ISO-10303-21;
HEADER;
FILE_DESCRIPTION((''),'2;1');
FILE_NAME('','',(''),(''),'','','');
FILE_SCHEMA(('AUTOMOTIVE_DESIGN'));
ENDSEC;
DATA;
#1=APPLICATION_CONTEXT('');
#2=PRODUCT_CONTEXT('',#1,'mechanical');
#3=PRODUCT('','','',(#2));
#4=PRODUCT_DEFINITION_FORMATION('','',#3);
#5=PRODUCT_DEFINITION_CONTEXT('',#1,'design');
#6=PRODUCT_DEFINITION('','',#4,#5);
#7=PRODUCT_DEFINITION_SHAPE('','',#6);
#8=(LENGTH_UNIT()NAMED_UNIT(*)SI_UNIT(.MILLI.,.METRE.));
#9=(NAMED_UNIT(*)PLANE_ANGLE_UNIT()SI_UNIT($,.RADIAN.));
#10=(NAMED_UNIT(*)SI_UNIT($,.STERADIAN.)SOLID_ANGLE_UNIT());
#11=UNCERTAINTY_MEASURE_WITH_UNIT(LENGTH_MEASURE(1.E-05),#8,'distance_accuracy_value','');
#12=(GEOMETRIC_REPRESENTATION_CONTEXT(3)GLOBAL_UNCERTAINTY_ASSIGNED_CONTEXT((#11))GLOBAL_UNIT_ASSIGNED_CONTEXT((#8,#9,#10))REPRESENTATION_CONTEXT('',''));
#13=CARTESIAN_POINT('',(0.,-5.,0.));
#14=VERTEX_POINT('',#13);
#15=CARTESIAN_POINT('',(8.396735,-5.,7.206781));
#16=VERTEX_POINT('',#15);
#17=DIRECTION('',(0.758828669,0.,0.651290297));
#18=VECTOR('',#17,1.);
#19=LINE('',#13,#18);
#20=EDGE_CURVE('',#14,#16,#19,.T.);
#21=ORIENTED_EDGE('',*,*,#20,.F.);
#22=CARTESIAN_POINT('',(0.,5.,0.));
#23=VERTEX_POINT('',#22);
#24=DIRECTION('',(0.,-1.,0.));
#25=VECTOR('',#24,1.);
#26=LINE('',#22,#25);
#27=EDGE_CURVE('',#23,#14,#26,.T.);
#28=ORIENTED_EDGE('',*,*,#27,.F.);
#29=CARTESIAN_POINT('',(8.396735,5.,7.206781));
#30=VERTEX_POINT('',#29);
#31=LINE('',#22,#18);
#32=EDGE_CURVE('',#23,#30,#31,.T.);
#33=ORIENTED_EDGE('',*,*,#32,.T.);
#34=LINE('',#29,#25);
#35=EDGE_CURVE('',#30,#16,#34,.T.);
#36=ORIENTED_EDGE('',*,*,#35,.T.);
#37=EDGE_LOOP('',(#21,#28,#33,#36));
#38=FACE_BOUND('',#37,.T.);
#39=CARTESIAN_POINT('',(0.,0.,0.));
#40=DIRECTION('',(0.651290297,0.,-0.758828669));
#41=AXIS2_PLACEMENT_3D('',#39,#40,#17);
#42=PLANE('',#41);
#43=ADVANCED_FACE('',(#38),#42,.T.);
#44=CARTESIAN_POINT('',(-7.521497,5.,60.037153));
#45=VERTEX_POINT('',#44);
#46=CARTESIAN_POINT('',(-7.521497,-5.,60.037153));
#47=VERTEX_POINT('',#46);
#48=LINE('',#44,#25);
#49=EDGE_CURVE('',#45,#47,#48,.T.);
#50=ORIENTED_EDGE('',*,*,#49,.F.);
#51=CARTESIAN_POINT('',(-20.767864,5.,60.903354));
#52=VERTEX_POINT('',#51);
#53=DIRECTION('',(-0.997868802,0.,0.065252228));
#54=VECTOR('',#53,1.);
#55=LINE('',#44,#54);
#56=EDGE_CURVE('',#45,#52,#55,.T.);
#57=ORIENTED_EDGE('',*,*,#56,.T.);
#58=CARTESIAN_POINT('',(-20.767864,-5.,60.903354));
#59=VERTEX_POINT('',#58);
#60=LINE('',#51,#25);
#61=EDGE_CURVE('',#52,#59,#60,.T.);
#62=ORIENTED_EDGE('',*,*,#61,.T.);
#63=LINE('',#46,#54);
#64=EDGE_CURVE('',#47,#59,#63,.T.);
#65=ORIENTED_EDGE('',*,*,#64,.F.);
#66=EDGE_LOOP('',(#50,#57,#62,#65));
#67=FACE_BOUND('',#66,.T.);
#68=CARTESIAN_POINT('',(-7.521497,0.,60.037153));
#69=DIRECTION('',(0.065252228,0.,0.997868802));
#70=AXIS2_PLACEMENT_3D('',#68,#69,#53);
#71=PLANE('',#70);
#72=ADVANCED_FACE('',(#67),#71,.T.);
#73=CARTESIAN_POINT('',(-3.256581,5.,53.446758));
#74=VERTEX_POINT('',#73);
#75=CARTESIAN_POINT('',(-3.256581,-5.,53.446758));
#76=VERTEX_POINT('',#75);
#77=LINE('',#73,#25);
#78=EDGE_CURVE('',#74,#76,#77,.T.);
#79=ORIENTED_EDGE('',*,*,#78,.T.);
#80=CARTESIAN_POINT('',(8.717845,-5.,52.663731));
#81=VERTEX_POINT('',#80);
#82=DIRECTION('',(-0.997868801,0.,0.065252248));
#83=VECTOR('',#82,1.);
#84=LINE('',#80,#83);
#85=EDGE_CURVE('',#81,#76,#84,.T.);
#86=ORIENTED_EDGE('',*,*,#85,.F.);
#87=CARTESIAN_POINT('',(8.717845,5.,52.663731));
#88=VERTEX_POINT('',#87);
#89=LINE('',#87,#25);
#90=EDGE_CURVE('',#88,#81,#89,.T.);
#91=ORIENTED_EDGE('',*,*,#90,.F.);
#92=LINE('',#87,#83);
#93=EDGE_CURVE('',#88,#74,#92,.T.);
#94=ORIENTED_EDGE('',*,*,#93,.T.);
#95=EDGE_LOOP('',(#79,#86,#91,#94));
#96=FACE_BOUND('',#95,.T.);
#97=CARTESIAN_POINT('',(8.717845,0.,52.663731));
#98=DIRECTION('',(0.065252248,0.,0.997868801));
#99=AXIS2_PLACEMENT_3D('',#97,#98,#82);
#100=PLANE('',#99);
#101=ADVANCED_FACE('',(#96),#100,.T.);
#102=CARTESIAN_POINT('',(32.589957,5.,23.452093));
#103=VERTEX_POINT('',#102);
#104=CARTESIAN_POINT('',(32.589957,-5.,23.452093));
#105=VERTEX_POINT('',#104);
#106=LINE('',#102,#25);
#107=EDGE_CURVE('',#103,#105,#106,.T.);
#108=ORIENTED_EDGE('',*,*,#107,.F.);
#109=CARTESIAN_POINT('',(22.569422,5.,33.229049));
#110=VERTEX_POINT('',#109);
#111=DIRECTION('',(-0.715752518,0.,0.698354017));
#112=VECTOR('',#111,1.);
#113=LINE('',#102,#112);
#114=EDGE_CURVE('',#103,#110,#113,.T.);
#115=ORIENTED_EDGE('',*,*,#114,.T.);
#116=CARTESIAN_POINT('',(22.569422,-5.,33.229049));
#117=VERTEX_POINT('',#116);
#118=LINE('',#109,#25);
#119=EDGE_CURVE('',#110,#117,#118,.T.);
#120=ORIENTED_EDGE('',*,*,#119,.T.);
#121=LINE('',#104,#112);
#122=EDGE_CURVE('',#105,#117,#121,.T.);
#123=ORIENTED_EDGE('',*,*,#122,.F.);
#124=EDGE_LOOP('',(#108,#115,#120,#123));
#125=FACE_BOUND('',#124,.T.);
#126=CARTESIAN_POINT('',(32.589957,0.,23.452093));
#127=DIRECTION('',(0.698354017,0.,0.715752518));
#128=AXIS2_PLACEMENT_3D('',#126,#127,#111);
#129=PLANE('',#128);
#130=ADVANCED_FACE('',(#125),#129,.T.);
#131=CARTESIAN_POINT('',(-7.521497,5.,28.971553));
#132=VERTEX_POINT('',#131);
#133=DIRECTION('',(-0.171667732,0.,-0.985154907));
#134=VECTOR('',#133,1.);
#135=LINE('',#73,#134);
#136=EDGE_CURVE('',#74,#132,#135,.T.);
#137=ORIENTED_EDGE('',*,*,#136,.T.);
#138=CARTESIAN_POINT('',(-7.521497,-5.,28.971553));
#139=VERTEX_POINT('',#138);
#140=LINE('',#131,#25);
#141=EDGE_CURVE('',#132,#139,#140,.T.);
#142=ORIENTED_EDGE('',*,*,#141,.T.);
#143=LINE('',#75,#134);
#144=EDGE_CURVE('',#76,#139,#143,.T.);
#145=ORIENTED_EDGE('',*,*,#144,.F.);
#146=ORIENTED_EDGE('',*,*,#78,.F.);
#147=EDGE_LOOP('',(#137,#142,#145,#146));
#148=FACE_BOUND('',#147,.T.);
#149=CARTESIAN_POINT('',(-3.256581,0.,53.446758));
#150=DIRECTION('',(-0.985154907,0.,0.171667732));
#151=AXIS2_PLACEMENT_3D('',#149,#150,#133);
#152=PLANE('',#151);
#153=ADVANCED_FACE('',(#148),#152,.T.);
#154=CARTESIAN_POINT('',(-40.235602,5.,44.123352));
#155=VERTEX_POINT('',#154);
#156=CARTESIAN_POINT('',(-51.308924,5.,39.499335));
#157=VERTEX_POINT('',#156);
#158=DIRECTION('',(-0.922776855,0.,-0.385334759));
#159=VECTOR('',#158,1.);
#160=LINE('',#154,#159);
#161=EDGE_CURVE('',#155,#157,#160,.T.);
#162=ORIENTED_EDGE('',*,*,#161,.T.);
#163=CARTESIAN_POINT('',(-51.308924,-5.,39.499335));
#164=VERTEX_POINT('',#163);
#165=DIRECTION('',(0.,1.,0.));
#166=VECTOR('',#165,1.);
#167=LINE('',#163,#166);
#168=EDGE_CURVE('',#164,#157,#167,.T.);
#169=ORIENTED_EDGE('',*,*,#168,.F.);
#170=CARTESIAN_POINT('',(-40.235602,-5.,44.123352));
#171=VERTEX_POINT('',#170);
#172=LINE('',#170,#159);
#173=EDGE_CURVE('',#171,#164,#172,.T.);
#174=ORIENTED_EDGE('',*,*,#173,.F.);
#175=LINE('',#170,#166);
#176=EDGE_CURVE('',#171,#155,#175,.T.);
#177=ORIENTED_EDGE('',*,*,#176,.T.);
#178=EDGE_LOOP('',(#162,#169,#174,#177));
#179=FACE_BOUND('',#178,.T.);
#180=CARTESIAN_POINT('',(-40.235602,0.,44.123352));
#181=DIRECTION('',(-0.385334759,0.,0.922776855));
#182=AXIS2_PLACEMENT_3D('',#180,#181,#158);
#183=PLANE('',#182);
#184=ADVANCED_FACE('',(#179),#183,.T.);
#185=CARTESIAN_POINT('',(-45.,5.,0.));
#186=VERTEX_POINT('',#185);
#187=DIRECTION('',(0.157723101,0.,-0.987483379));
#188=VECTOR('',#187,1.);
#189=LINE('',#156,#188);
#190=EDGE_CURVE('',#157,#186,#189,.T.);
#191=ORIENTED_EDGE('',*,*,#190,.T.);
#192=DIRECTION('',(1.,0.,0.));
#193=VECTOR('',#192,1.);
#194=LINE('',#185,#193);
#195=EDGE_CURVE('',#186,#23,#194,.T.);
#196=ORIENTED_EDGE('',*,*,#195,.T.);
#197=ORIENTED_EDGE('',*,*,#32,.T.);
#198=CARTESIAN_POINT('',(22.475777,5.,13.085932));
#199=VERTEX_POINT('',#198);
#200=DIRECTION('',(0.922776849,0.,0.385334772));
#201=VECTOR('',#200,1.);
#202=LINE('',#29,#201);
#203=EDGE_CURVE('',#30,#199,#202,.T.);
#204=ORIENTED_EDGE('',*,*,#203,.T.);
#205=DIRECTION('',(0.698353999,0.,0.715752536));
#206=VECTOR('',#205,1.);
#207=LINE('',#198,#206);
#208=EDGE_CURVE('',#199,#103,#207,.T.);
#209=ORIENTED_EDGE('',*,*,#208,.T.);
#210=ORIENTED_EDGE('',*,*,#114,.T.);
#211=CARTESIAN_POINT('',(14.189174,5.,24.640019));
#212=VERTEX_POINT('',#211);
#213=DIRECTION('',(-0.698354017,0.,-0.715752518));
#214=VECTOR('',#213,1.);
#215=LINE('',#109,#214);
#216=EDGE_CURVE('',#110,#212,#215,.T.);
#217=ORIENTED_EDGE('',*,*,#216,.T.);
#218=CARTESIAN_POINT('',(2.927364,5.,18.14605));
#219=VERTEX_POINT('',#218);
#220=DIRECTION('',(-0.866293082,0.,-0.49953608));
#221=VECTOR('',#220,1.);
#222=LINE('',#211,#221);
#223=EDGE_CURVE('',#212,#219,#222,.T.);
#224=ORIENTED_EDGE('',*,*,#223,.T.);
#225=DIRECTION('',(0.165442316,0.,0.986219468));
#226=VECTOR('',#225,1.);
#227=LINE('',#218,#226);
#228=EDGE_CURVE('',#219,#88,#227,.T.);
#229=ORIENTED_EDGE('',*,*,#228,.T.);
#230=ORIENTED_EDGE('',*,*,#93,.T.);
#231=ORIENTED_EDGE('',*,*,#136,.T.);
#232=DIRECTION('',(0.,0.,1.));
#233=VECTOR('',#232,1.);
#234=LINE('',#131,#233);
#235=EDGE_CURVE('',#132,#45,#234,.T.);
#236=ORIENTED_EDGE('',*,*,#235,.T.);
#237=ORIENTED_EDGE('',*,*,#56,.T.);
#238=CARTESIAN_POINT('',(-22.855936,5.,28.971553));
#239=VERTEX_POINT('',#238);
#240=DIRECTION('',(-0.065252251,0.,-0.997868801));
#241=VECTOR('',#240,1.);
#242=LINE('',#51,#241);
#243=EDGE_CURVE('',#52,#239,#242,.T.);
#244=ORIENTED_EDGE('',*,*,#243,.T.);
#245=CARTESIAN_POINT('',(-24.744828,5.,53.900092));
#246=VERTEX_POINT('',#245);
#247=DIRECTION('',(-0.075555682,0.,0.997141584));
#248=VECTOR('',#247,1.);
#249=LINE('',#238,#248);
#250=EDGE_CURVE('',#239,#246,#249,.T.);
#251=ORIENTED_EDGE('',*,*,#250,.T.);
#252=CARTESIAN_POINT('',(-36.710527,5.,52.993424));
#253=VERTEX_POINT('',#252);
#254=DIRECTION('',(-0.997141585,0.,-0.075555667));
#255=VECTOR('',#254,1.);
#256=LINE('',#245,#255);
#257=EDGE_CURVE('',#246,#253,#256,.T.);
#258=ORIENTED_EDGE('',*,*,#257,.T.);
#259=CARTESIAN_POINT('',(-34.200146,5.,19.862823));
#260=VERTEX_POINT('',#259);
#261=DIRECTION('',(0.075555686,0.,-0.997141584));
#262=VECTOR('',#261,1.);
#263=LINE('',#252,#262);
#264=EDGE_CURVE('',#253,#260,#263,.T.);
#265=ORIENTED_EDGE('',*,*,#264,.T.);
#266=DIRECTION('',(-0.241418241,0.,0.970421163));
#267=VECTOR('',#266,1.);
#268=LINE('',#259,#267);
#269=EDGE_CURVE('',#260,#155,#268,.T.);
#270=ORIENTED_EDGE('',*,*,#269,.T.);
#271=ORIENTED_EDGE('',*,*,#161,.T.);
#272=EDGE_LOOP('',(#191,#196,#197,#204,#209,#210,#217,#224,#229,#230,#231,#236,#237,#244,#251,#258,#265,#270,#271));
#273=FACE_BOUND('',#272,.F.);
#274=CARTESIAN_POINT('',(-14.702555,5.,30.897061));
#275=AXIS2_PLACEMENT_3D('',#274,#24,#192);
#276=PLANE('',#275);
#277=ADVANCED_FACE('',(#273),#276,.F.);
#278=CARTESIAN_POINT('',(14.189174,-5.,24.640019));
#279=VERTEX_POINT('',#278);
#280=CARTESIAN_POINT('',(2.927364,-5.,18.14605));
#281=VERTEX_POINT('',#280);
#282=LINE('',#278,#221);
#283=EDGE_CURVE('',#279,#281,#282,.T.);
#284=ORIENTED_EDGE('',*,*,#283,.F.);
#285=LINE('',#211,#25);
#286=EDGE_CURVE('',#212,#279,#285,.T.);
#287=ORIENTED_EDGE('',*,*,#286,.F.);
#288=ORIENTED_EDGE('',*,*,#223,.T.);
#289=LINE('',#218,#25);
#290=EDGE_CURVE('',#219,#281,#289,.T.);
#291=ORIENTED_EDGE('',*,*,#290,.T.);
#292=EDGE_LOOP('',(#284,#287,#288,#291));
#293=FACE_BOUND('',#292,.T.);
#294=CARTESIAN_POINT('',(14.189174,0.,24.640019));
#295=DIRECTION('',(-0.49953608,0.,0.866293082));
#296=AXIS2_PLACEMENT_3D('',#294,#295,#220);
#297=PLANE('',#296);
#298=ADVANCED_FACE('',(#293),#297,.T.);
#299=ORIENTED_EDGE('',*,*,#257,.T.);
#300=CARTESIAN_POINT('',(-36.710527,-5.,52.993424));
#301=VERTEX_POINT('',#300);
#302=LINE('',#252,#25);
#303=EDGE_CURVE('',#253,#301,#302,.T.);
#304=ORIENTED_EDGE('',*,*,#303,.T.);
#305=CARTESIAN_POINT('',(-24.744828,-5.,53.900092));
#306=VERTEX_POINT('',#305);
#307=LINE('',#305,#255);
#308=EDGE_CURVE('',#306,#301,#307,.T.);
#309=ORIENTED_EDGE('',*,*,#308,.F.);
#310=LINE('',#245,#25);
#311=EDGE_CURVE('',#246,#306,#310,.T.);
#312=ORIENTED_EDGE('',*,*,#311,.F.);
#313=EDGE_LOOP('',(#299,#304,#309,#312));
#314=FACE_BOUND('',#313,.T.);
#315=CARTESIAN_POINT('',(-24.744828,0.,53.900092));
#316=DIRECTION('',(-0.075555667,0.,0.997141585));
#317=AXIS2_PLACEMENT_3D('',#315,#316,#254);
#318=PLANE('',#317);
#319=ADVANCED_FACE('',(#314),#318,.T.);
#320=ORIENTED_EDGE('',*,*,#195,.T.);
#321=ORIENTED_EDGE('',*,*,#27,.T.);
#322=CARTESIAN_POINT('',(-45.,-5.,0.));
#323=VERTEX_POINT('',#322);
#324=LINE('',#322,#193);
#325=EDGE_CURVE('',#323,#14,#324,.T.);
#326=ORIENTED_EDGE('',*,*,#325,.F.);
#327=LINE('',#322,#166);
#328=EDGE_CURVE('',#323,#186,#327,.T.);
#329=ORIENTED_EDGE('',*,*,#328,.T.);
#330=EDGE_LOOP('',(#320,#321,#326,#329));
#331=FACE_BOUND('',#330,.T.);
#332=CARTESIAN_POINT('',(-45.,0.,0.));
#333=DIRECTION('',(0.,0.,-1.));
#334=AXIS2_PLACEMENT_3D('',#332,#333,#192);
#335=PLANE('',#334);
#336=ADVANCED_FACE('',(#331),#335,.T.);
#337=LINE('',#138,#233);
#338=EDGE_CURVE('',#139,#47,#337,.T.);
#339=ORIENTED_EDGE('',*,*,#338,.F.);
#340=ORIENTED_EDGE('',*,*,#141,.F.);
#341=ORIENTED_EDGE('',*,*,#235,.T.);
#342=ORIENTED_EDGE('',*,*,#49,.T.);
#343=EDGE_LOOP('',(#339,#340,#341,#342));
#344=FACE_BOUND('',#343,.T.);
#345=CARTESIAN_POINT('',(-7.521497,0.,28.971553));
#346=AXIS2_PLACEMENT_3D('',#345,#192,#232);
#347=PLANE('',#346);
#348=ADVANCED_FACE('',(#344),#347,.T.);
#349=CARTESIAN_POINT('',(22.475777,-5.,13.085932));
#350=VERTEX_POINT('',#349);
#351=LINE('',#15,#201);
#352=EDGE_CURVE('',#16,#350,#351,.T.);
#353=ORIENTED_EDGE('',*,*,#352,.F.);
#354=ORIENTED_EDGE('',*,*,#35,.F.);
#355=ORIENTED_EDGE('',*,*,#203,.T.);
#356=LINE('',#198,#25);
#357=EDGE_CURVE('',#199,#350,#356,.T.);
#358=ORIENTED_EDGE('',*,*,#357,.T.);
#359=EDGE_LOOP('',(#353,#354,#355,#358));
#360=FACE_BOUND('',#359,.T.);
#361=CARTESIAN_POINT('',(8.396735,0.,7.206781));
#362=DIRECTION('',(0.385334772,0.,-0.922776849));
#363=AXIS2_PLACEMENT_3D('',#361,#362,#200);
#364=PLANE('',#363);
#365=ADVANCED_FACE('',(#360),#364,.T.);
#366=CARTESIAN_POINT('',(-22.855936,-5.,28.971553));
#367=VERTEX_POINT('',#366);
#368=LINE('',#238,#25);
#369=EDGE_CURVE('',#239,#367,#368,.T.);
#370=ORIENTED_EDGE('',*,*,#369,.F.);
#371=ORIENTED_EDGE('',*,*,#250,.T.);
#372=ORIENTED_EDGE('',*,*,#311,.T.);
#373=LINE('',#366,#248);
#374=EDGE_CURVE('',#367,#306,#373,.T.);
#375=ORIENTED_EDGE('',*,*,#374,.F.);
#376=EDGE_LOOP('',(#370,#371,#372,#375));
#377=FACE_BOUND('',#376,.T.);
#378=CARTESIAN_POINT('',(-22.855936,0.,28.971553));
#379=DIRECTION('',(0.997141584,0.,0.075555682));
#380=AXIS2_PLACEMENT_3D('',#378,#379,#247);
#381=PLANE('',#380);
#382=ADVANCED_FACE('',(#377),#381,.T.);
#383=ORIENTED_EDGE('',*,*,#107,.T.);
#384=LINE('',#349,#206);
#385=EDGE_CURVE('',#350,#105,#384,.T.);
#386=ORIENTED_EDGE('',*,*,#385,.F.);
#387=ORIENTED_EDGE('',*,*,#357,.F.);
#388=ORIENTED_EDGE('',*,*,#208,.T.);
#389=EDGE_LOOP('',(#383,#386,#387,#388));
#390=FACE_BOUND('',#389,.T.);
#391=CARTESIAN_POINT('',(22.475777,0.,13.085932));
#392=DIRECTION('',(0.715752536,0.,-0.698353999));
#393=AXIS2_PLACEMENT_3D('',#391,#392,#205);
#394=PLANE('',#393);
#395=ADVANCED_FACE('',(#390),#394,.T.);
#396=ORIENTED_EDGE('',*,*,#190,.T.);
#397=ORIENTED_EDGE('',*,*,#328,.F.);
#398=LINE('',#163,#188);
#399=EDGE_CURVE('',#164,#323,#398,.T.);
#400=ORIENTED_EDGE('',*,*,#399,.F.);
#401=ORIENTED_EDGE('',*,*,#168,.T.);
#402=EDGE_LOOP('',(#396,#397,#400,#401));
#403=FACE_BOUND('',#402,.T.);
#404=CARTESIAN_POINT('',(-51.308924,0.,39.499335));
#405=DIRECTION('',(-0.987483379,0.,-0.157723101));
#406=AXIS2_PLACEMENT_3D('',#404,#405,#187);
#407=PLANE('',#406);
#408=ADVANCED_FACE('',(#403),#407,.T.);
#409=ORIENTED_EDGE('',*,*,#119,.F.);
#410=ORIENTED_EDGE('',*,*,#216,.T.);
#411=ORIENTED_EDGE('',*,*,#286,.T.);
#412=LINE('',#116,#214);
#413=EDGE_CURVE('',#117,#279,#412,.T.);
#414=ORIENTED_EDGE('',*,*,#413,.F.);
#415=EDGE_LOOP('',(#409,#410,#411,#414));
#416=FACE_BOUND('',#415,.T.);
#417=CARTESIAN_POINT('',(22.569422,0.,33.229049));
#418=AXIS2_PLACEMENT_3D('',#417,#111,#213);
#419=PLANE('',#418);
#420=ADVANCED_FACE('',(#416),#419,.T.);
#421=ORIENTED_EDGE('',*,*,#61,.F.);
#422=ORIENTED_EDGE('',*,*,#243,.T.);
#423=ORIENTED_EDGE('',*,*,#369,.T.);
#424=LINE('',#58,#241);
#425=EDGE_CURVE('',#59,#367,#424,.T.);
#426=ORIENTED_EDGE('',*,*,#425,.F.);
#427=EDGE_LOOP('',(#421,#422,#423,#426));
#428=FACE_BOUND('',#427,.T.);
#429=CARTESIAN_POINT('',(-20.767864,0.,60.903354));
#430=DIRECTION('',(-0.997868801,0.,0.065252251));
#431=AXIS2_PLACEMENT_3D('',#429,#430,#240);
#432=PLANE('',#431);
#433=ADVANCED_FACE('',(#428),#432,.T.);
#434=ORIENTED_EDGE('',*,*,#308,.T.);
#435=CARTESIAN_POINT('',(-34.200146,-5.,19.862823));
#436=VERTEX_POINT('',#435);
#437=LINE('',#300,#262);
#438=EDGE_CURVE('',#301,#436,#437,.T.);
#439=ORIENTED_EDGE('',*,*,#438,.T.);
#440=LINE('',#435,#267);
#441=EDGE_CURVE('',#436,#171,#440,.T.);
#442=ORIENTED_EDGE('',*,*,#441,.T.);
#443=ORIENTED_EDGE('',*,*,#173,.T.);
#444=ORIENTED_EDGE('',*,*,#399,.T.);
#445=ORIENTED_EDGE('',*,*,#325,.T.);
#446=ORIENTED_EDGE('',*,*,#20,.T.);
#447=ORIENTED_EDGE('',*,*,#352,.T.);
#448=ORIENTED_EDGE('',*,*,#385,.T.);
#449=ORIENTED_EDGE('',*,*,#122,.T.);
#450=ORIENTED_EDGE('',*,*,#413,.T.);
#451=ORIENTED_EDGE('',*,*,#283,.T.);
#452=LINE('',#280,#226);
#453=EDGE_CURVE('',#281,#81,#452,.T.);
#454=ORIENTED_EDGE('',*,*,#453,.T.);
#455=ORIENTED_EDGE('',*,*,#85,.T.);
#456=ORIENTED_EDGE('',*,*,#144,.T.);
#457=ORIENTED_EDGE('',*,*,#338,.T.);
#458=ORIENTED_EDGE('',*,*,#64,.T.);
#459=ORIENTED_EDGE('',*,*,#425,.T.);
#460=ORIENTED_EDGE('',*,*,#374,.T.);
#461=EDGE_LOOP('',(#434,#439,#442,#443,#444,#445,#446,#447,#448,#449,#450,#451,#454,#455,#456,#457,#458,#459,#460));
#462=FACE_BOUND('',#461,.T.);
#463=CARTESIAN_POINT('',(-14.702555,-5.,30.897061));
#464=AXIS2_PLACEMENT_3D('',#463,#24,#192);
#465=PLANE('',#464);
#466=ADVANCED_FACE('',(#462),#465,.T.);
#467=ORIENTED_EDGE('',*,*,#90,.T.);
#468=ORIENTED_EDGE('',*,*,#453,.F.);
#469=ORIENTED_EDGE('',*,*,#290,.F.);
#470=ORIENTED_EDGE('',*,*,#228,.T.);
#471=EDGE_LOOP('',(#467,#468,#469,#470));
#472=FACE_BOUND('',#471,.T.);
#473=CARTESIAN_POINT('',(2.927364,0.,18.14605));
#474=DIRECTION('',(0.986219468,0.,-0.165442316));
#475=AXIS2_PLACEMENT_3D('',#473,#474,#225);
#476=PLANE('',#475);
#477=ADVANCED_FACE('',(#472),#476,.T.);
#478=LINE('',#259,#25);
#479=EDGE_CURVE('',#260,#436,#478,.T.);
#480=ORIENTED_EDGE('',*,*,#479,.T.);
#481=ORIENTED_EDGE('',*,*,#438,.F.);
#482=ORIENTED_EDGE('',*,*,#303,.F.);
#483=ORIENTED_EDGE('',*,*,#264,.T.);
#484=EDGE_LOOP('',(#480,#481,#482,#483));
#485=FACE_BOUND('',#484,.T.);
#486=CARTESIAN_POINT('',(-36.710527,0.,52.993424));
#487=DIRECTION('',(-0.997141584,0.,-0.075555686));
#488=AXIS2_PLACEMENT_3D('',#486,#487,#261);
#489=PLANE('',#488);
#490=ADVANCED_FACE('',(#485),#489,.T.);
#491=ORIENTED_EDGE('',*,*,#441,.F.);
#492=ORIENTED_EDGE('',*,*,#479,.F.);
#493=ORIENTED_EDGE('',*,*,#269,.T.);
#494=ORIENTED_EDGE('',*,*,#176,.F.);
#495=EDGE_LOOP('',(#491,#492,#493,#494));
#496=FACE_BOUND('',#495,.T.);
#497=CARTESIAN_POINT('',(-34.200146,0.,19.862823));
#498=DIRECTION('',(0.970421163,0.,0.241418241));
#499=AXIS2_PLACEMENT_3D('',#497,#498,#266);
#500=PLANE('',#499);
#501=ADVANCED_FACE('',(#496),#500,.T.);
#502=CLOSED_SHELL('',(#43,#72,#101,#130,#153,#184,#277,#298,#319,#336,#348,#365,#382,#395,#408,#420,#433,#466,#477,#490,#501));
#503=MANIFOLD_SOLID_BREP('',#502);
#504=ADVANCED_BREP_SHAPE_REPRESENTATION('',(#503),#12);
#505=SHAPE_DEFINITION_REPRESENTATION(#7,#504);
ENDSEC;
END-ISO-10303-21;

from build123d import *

# Parameters (mm, degrees)
F1_DEPTH = 5


with BuildPart() as f1:
    # F0 (on Front) → F1 (new body, symmetric)
    with BuildSketch(Plane.XZ):
        Polygon((-45, 0), (0, 0), (8.396735, 7.206781), (22.475777, 13.085932), (32.589957, 23.452093), (22.569422, 33.229049), (14.189174, 24.640019), (2.927364, 18.14605), (8.717845, 52.663731), (-3.256581, 53.446758), (-7.521497, 28.971553), (-7.521497, 60.037153), (-20.767864, 60.903354), (-22.855936, 28.971553), (-24.744828, 53.900092), (-36.710527, 52.993424), (-34.200146, 19.862823), (-40.235602, 44.123352), (-51.308924, 39.499335), align=None)
    extrude(amount=F1_DEPTH, both=True)


solid = f1.part
